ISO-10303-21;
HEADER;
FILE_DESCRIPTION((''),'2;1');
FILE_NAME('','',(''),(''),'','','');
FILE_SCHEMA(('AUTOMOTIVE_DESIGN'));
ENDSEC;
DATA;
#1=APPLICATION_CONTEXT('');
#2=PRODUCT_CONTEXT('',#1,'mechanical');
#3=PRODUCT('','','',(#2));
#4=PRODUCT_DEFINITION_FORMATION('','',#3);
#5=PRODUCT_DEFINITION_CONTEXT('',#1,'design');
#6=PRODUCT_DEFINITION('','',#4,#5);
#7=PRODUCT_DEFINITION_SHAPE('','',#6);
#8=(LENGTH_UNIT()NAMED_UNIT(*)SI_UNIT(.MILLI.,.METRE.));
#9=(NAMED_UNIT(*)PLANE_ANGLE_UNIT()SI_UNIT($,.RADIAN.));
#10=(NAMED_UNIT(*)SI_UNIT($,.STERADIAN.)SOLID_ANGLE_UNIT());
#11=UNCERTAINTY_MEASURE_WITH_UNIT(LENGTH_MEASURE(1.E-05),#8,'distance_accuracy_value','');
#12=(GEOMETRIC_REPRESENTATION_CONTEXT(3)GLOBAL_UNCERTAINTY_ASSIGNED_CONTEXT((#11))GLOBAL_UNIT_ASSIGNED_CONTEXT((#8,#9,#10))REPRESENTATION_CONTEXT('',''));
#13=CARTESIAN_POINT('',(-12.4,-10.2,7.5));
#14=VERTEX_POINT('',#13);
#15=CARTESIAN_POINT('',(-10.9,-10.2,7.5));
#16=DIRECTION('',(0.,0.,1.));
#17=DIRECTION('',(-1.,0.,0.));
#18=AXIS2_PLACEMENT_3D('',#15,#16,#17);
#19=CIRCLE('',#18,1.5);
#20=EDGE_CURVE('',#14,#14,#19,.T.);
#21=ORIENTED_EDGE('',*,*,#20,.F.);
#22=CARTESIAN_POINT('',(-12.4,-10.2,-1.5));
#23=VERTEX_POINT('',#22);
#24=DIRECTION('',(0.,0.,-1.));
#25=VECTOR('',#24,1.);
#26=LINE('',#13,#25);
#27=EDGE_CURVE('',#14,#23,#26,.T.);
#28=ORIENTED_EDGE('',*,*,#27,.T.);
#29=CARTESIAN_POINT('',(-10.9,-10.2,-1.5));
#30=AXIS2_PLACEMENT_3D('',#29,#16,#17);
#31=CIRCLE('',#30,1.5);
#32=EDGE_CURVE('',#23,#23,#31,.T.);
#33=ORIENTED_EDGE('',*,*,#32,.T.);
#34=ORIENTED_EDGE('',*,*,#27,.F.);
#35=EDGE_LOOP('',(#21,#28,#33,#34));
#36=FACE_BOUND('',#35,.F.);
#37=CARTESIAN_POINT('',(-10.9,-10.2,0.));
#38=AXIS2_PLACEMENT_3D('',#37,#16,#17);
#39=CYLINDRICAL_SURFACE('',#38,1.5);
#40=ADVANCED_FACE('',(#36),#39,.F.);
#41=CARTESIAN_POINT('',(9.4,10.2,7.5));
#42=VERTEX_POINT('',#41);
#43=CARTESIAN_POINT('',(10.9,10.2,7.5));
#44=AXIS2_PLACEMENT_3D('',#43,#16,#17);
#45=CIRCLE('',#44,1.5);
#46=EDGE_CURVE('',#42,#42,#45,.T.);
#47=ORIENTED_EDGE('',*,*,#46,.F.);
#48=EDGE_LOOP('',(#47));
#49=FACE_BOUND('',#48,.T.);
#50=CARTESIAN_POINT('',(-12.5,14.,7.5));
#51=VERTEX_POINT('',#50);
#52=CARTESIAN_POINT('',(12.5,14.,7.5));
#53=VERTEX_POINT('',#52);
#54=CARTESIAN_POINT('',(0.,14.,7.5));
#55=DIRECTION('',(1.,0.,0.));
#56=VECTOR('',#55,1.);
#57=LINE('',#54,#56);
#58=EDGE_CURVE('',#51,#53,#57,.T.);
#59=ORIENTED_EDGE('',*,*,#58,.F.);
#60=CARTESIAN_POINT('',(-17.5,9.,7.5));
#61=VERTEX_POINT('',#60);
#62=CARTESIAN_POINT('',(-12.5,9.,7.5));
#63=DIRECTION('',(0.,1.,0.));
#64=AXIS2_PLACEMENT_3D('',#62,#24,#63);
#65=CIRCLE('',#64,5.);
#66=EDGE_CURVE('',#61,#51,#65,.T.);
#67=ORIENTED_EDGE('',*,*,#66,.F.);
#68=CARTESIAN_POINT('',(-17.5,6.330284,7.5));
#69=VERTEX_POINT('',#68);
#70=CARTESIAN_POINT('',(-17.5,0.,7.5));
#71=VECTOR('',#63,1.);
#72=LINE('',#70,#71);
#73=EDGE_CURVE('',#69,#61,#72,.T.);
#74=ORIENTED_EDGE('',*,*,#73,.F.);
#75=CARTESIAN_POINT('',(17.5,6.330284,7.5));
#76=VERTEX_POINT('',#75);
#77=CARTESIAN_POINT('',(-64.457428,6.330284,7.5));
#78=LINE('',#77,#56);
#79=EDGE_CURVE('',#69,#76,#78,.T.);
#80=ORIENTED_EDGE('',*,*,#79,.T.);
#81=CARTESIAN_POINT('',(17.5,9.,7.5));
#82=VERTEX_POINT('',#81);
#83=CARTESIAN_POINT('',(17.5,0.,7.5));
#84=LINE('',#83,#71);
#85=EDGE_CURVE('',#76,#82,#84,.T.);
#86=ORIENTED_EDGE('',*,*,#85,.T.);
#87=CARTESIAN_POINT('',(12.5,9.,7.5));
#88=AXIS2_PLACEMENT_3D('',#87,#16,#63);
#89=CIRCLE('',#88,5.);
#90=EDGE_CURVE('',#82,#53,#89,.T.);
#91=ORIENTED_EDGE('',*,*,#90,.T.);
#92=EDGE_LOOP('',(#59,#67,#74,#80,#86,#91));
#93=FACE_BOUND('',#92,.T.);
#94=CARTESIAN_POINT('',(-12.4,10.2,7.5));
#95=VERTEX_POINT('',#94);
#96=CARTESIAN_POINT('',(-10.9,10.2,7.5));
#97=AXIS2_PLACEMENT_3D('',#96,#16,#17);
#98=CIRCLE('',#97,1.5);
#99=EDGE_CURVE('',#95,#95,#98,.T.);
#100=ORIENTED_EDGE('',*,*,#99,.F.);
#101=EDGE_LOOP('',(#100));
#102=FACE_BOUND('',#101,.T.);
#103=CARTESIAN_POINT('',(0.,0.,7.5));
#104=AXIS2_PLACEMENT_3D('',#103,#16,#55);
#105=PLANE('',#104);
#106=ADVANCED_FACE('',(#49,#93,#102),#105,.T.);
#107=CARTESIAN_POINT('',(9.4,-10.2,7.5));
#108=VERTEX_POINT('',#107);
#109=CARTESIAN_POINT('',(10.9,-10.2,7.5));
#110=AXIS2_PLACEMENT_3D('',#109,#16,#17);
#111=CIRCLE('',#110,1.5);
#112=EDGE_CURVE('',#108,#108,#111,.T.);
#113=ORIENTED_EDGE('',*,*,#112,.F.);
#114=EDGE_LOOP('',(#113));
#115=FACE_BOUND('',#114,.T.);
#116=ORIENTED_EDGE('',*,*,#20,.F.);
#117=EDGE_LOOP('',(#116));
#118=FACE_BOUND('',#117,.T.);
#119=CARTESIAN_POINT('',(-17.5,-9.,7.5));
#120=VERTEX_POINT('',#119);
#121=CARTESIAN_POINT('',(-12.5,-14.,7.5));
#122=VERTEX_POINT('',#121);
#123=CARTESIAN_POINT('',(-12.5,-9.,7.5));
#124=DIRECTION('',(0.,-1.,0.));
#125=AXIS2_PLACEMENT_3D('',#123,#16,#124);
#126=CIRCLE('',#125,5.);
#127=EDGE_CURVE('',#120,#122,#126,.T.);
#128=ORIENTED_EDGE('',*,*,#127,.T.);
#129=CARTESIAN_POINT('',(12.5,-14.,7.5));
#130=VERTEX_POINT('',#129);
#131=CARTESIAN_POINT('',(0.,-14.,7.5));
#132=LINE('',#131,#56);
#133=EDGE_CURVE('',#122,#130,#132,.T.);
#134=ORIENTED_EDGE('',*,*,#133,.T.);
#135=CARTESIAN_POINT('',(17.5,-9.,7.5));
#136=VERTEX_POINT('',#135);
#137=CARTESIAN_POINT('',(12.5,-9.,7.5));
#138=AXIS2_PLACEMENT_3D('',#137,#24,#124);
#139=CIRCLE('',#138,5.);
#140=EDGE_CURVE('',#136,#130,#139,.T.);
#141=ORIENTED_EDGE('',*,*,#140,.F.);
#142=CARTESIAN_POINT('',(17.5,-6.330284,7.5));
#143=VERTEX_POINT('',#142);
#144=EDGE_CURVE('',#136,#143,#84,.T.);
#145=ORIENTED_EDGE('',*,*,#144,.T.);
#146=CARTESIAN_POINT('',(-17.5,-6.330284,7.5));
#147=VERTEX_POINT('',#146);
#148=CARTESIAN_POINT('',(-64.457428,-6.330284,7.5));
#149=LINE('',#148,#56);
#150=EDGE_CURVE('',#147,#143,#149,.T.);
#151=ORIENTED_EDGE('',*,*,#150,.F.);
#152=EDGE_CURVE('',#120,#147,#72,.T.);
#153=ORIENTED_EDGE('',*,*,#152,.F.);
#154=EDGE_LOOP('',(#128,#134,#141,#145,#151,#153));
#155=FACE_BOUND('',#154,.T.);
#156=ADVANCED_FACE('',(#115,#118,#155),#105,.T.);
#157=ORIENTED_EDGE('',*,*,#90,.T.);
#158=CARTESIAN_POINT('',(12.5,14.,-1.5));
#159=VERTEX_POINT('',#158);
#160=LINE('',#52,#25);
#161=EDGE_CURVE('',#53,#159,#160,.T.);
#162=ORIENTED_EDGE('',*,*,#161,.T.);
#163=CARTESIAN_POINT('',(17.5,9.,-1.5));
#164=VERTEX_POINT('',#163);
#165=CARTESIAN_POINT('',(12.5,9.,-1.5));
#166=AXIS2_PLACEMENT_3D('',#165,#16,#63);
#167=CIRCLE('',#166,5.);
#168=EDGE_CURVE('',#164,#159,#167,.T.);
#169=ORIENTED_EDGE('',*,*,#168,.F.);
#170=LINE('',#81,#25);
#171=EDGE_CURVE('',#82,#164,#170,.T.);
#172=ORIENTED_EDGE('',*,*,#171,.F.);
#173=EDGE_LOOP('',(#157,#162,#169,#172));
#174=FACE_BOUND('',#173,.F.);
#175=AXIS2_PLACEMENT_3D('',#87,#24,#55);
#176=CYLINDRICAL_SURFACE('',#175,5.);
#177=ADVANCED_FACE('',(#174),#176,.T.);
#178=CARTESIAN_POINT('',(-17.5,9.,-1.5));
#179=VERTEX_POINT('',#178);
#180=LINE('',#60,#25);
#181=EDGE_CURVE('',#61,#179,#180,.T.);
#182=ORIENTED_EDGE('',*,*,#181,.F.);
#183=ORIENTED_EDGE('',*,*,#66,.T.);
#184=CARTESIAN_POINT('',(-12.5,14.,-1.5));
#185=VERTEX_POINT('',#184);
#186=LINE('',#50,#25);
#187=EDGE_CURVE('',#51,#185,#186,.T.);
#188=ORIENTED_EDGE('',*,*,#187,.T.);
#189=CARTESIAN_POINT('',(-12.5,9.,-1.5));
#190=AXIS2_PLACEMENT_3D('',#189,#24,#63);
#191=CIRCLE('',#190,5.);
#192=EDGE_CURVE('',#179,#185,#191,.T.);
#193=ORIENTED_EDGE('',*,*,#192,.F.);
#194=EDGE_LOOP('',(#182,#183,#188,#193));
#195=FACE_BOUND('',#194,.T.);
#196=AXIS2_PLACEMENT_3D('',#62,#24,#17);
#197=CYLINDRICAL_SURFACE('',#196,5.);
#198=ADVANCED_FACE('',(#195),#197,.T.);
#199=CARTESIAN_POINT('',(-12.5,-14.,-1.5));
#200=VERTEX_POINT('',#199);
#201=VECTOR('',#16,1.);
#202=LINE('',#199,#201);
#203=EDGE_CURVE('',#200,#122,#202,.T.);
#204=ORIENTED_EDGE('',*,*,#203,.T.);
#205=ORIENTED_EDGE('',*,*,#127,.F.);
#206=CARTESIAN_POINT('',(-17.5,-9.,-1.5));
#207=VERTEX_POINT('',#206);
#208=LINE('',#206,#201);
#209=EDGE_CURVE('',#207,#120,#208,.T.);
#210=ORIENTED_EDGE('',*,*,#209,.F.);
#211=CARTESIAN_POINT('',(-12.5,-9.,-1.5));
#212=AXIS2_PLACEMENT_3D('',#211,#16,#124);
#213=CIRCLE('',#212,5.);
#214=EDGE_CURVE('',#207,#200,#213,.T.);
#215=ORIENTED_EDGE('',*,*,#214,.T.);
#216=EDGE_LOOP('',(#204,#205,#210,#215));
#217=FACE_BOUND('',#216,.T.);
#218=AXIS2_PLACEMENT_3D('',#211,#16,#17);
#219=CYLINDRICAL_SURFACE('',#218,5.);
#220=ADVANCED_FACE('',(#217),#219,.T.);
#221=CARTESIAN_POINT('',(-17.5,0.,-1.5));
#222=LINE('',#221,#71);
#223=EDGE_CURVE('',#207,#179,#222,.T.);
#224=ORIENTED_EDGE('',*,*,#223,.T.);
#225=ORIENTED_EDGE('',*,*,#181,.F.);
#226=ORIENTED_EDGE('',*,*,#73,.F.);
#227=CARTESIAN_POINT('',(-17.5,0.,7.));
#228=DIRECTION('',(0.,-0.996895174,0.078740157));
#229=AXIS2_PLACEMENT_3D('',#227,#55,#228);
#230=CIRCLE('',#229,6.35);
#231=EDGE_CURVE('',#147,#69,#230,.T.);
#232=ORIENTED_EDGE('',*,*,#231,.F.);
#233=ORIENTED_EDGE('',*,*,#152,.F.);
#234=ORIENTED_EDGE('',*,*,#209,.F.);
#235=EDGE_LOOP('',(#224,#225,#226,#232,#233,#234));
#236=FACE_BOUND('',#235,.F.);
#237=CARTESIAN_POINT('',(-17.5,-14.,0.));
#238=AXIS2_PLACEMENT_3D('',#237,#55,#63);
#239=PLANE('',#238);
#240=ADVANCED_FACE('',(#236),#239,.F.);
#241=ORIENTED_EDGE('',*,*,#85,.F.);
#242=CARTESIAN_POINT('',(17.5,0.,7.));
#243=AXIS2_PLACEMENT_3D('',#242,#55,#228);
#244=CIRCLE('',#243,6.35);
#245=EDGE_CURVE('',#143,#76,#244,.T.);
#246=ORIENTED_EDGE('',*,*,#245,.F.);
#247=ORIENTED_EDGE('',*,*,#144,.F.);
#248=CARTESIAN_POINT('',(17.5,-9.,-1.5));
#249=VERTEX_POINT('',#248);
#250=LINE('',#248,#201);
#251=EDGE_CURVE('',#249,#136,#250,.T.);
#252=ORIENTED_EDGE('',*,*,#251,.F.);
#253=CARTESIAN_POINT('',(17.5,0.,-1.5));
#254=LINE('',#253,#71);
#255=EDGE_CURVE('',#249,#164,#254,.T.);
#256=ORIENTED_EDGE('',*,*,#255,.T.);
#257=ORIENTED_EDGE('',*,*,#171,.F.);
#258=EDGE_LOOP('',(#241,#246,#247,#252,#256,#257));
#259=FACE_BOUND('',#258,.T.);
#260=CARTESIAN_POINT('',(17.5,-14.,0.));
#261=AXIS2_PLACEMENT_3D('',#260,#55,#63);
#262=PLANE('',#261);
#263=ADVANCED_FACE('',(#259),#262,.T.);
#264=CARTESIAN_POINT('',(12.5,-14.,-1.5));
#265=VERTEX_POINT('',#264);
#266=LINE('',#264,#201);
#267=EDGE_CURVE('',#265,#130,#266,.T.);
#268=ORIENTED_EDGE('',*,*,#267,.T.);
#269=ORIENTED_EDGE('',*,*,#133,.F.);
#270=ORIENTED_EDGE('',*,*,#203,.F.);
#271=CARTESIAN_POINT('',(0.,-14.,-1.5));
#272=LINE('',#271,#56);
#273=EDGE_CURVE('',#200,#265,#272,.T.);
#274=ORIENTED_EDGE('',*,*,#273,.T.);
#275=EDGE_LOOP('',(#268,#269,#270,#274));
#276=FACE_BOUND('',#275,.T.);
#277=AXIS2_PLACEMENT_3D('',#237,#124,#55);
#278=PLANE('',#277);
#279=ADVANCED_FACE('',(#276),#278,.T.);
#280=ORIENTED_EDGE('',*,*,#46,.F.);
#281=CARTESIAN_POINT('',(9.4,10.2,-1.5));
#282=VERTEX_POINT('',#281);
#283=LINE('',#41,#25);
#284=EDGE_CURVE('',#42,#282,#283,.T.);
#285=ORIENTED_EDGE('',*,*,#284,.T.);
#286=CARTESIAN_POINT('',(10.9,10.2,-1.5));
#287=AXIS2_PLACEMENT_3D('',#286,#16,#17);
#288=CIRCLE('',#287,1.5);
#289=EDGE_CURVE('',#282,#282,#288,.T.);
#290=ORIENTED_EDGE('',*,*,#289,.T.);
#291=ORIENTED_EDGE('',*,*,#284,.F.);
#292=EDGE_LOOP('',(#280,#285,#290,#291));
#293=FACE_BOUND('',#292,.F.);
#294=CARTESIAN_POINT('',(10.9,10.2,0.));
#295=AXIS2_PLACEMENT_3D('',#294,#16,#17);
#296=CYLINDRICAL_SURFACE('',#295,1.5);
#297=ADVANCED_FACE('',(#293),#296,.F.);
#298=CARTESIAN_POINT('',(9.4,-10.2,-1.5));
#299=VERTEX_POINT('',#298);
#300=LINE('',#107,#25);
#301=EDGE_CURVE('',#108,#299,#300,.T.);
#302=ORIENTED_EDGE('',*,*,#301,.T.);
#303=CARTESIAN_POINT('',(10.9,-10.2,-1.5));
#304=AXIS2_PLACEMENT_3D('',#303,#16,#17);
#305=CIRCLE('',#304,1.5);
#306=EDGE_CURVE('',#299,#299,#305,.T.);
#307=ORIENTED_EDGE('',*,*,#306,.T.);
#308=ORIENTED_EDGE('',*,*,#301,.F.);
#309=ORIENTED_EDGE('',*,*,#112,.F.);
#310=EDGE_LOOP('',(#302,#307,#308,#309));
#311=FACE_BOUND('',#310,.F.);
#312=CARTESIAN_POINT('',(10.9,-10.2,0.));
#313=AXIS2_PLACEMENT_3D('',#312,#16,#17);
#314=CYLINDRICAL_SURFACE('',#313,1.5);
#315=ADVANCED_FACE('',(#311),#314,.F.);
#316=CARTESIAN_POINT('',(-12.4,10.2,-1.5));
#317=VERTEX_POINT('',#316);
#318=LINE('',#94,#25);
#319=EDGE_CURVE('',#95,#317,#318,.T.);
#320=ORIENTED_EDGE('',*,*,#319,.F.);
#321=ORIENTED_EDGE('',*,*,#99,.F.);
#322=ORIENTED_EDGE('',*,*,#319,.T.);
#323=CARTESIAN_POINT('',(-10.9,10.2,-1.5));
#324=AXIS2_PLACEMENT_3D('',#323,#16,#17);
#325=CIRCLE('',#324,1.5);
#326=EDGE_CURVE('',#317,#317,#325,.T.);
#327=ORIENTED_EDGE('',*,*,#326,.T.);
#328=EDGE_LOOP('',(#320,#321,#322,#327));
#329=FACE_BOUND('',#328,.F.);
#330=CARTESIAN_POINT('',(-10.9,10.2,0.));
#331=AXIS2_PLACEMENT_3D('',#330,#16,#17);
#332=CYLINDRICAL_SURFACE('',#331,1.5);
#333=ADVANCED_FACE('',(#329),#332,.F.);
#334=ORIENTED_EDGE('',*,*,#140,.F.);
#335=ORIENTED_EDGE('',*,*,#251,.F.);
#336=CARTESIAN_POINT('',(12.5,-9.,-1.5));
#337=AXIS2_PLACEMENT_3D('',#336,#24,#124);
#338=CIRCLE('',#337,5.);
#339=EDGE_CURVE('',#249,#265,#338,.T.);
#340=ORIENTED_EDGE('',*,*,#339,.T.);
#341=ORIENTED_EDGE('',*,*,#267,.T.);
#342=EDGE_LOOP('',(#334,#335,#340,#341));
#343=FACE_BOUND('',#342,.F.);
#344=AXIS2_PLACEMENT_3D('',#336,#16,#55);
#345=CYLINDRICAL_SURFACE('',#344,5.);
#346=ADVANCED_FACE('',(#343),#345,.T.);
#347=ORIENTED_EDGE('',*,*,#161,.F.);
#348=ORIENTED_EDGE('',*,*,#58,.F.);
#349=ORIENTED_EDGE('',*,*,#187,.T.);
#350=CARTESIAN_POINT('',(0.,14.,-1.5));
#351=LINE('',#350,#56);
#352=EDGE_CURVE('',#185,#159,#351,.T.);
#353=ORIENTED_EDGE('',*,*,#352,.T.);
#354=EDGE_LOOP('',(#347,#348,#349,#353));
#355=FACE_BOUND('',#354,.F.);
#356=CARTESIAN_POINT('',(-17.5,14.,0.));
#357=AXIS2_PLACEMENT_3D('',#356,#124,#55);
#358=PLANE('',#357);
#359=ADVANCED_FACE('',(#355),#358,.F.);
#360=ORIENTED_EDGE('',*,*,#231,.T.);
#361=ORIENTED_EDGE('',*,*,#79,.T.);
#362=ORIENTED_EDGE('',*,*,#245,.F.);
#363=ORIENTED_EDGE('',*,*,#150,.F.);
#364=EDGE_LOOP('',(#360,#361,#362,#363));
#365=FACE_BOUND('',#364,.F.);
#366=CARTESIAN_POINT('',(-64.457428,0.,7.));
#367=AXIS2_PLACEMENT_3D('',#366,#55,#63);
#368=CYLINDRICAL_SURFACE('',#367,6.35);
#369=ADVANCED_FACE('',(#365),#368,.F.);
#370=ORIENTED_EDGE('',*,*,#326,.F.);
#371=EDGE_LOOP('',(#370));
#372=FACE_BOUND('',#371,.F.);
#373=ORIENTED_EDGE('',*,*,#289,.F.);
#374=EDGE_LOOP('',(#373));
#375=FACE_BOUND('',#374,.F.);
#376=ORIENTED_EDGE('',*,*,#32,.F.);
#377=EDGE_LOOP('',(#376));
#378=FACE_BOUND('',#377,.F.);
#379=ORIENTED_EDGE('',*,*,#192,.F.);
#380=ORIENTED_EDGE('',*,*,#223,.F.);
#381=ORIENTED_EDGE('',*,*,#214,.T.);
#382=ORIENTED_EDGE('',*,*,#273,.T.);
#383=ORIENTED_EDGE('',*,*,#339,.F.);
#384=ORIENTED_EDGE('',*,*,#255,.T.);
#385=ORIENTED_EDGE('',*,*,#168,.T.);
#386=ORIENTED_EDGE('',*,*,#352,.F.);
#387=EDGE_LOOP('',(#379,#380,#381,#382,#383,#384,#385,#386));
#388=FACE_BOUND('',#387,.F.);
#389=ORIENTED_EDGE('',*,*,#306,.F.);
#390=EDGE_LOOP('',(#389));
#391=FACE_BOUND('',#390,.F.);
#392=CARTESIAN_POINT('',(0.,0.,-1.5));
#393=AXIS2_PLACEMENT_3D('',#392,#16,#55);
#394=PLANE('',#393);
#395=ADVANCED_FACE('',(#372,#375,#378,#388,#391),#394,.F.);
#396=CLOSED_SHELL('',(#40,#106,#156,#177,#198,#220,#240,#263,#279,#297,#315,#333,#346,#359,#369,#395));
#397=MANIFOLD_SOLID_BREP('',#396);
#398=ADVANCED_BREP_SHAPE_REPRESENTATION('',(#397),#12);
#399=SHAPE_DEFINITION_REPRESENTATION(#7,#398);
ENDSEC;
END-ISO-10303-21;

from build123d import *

# Parameters (mm, degrees)
F0_W     = 35
F0_H     = 28
F1_DEPTH = 14
F3_D     = 12.7
F4_DEPTH = 6.5
F5_D     = 3
F6_DEPTH = 1.5
F7_R     = 5


with BuildPart() as f1:
    # F0 (on Top) → F1 (new body)
    with BuildSketch(Plane.XY):
        Rectangle(F0_W, F0_H)
    extrude(amount=F1_DEPTH)

    # F3 (through all)
    with Locations(Plane(origin=(-17.5, 0, 0), x_dir=(0, -1, 0), z_dir=(-1, 0, 0))):
        with Locations((0, 7)):
            Hole(F3_D / 2)

    # F4 (cut): a face of the model
    f4_faces = [f1.faces().sort_by_distance(p)[0] for p in [
        (0, 0, 14),
    ]]
    extrude(f4_faces, amount=-F4_DEPTH, mode=Mode.SUBTRACT)

    # F5 (through all)
    with Locations(Plane(origin=(0, 0, 0), x_dir=(1, 0, 0), z_dir=(0, 0, -1))):
        with Locations((10.9, -10.2), (-10.9, -10.2), (-10.9, 10.2), (10.9, 10.2)):
            Hole(F5_D / 2)

    # F6 (add): a face of the model
    f6_faces = [f1.faces().sort_by_distance(p)[0] for p in [
        (0, 0, 0),
    ]]
    extrude(f6_faces, amount=F6_DEPTH)

    # F7
    f7_edges = [f1.edges().sort_by_distance(p)[0] for p in [
        (-17.5, -14, 3),
        (-17.5, 14, 3),
        (17.5, 14, 3),
        (17.5, -14, 3),
    ]]
    fillet(f7_edges, radius=F7_R)


solid = f1.part
